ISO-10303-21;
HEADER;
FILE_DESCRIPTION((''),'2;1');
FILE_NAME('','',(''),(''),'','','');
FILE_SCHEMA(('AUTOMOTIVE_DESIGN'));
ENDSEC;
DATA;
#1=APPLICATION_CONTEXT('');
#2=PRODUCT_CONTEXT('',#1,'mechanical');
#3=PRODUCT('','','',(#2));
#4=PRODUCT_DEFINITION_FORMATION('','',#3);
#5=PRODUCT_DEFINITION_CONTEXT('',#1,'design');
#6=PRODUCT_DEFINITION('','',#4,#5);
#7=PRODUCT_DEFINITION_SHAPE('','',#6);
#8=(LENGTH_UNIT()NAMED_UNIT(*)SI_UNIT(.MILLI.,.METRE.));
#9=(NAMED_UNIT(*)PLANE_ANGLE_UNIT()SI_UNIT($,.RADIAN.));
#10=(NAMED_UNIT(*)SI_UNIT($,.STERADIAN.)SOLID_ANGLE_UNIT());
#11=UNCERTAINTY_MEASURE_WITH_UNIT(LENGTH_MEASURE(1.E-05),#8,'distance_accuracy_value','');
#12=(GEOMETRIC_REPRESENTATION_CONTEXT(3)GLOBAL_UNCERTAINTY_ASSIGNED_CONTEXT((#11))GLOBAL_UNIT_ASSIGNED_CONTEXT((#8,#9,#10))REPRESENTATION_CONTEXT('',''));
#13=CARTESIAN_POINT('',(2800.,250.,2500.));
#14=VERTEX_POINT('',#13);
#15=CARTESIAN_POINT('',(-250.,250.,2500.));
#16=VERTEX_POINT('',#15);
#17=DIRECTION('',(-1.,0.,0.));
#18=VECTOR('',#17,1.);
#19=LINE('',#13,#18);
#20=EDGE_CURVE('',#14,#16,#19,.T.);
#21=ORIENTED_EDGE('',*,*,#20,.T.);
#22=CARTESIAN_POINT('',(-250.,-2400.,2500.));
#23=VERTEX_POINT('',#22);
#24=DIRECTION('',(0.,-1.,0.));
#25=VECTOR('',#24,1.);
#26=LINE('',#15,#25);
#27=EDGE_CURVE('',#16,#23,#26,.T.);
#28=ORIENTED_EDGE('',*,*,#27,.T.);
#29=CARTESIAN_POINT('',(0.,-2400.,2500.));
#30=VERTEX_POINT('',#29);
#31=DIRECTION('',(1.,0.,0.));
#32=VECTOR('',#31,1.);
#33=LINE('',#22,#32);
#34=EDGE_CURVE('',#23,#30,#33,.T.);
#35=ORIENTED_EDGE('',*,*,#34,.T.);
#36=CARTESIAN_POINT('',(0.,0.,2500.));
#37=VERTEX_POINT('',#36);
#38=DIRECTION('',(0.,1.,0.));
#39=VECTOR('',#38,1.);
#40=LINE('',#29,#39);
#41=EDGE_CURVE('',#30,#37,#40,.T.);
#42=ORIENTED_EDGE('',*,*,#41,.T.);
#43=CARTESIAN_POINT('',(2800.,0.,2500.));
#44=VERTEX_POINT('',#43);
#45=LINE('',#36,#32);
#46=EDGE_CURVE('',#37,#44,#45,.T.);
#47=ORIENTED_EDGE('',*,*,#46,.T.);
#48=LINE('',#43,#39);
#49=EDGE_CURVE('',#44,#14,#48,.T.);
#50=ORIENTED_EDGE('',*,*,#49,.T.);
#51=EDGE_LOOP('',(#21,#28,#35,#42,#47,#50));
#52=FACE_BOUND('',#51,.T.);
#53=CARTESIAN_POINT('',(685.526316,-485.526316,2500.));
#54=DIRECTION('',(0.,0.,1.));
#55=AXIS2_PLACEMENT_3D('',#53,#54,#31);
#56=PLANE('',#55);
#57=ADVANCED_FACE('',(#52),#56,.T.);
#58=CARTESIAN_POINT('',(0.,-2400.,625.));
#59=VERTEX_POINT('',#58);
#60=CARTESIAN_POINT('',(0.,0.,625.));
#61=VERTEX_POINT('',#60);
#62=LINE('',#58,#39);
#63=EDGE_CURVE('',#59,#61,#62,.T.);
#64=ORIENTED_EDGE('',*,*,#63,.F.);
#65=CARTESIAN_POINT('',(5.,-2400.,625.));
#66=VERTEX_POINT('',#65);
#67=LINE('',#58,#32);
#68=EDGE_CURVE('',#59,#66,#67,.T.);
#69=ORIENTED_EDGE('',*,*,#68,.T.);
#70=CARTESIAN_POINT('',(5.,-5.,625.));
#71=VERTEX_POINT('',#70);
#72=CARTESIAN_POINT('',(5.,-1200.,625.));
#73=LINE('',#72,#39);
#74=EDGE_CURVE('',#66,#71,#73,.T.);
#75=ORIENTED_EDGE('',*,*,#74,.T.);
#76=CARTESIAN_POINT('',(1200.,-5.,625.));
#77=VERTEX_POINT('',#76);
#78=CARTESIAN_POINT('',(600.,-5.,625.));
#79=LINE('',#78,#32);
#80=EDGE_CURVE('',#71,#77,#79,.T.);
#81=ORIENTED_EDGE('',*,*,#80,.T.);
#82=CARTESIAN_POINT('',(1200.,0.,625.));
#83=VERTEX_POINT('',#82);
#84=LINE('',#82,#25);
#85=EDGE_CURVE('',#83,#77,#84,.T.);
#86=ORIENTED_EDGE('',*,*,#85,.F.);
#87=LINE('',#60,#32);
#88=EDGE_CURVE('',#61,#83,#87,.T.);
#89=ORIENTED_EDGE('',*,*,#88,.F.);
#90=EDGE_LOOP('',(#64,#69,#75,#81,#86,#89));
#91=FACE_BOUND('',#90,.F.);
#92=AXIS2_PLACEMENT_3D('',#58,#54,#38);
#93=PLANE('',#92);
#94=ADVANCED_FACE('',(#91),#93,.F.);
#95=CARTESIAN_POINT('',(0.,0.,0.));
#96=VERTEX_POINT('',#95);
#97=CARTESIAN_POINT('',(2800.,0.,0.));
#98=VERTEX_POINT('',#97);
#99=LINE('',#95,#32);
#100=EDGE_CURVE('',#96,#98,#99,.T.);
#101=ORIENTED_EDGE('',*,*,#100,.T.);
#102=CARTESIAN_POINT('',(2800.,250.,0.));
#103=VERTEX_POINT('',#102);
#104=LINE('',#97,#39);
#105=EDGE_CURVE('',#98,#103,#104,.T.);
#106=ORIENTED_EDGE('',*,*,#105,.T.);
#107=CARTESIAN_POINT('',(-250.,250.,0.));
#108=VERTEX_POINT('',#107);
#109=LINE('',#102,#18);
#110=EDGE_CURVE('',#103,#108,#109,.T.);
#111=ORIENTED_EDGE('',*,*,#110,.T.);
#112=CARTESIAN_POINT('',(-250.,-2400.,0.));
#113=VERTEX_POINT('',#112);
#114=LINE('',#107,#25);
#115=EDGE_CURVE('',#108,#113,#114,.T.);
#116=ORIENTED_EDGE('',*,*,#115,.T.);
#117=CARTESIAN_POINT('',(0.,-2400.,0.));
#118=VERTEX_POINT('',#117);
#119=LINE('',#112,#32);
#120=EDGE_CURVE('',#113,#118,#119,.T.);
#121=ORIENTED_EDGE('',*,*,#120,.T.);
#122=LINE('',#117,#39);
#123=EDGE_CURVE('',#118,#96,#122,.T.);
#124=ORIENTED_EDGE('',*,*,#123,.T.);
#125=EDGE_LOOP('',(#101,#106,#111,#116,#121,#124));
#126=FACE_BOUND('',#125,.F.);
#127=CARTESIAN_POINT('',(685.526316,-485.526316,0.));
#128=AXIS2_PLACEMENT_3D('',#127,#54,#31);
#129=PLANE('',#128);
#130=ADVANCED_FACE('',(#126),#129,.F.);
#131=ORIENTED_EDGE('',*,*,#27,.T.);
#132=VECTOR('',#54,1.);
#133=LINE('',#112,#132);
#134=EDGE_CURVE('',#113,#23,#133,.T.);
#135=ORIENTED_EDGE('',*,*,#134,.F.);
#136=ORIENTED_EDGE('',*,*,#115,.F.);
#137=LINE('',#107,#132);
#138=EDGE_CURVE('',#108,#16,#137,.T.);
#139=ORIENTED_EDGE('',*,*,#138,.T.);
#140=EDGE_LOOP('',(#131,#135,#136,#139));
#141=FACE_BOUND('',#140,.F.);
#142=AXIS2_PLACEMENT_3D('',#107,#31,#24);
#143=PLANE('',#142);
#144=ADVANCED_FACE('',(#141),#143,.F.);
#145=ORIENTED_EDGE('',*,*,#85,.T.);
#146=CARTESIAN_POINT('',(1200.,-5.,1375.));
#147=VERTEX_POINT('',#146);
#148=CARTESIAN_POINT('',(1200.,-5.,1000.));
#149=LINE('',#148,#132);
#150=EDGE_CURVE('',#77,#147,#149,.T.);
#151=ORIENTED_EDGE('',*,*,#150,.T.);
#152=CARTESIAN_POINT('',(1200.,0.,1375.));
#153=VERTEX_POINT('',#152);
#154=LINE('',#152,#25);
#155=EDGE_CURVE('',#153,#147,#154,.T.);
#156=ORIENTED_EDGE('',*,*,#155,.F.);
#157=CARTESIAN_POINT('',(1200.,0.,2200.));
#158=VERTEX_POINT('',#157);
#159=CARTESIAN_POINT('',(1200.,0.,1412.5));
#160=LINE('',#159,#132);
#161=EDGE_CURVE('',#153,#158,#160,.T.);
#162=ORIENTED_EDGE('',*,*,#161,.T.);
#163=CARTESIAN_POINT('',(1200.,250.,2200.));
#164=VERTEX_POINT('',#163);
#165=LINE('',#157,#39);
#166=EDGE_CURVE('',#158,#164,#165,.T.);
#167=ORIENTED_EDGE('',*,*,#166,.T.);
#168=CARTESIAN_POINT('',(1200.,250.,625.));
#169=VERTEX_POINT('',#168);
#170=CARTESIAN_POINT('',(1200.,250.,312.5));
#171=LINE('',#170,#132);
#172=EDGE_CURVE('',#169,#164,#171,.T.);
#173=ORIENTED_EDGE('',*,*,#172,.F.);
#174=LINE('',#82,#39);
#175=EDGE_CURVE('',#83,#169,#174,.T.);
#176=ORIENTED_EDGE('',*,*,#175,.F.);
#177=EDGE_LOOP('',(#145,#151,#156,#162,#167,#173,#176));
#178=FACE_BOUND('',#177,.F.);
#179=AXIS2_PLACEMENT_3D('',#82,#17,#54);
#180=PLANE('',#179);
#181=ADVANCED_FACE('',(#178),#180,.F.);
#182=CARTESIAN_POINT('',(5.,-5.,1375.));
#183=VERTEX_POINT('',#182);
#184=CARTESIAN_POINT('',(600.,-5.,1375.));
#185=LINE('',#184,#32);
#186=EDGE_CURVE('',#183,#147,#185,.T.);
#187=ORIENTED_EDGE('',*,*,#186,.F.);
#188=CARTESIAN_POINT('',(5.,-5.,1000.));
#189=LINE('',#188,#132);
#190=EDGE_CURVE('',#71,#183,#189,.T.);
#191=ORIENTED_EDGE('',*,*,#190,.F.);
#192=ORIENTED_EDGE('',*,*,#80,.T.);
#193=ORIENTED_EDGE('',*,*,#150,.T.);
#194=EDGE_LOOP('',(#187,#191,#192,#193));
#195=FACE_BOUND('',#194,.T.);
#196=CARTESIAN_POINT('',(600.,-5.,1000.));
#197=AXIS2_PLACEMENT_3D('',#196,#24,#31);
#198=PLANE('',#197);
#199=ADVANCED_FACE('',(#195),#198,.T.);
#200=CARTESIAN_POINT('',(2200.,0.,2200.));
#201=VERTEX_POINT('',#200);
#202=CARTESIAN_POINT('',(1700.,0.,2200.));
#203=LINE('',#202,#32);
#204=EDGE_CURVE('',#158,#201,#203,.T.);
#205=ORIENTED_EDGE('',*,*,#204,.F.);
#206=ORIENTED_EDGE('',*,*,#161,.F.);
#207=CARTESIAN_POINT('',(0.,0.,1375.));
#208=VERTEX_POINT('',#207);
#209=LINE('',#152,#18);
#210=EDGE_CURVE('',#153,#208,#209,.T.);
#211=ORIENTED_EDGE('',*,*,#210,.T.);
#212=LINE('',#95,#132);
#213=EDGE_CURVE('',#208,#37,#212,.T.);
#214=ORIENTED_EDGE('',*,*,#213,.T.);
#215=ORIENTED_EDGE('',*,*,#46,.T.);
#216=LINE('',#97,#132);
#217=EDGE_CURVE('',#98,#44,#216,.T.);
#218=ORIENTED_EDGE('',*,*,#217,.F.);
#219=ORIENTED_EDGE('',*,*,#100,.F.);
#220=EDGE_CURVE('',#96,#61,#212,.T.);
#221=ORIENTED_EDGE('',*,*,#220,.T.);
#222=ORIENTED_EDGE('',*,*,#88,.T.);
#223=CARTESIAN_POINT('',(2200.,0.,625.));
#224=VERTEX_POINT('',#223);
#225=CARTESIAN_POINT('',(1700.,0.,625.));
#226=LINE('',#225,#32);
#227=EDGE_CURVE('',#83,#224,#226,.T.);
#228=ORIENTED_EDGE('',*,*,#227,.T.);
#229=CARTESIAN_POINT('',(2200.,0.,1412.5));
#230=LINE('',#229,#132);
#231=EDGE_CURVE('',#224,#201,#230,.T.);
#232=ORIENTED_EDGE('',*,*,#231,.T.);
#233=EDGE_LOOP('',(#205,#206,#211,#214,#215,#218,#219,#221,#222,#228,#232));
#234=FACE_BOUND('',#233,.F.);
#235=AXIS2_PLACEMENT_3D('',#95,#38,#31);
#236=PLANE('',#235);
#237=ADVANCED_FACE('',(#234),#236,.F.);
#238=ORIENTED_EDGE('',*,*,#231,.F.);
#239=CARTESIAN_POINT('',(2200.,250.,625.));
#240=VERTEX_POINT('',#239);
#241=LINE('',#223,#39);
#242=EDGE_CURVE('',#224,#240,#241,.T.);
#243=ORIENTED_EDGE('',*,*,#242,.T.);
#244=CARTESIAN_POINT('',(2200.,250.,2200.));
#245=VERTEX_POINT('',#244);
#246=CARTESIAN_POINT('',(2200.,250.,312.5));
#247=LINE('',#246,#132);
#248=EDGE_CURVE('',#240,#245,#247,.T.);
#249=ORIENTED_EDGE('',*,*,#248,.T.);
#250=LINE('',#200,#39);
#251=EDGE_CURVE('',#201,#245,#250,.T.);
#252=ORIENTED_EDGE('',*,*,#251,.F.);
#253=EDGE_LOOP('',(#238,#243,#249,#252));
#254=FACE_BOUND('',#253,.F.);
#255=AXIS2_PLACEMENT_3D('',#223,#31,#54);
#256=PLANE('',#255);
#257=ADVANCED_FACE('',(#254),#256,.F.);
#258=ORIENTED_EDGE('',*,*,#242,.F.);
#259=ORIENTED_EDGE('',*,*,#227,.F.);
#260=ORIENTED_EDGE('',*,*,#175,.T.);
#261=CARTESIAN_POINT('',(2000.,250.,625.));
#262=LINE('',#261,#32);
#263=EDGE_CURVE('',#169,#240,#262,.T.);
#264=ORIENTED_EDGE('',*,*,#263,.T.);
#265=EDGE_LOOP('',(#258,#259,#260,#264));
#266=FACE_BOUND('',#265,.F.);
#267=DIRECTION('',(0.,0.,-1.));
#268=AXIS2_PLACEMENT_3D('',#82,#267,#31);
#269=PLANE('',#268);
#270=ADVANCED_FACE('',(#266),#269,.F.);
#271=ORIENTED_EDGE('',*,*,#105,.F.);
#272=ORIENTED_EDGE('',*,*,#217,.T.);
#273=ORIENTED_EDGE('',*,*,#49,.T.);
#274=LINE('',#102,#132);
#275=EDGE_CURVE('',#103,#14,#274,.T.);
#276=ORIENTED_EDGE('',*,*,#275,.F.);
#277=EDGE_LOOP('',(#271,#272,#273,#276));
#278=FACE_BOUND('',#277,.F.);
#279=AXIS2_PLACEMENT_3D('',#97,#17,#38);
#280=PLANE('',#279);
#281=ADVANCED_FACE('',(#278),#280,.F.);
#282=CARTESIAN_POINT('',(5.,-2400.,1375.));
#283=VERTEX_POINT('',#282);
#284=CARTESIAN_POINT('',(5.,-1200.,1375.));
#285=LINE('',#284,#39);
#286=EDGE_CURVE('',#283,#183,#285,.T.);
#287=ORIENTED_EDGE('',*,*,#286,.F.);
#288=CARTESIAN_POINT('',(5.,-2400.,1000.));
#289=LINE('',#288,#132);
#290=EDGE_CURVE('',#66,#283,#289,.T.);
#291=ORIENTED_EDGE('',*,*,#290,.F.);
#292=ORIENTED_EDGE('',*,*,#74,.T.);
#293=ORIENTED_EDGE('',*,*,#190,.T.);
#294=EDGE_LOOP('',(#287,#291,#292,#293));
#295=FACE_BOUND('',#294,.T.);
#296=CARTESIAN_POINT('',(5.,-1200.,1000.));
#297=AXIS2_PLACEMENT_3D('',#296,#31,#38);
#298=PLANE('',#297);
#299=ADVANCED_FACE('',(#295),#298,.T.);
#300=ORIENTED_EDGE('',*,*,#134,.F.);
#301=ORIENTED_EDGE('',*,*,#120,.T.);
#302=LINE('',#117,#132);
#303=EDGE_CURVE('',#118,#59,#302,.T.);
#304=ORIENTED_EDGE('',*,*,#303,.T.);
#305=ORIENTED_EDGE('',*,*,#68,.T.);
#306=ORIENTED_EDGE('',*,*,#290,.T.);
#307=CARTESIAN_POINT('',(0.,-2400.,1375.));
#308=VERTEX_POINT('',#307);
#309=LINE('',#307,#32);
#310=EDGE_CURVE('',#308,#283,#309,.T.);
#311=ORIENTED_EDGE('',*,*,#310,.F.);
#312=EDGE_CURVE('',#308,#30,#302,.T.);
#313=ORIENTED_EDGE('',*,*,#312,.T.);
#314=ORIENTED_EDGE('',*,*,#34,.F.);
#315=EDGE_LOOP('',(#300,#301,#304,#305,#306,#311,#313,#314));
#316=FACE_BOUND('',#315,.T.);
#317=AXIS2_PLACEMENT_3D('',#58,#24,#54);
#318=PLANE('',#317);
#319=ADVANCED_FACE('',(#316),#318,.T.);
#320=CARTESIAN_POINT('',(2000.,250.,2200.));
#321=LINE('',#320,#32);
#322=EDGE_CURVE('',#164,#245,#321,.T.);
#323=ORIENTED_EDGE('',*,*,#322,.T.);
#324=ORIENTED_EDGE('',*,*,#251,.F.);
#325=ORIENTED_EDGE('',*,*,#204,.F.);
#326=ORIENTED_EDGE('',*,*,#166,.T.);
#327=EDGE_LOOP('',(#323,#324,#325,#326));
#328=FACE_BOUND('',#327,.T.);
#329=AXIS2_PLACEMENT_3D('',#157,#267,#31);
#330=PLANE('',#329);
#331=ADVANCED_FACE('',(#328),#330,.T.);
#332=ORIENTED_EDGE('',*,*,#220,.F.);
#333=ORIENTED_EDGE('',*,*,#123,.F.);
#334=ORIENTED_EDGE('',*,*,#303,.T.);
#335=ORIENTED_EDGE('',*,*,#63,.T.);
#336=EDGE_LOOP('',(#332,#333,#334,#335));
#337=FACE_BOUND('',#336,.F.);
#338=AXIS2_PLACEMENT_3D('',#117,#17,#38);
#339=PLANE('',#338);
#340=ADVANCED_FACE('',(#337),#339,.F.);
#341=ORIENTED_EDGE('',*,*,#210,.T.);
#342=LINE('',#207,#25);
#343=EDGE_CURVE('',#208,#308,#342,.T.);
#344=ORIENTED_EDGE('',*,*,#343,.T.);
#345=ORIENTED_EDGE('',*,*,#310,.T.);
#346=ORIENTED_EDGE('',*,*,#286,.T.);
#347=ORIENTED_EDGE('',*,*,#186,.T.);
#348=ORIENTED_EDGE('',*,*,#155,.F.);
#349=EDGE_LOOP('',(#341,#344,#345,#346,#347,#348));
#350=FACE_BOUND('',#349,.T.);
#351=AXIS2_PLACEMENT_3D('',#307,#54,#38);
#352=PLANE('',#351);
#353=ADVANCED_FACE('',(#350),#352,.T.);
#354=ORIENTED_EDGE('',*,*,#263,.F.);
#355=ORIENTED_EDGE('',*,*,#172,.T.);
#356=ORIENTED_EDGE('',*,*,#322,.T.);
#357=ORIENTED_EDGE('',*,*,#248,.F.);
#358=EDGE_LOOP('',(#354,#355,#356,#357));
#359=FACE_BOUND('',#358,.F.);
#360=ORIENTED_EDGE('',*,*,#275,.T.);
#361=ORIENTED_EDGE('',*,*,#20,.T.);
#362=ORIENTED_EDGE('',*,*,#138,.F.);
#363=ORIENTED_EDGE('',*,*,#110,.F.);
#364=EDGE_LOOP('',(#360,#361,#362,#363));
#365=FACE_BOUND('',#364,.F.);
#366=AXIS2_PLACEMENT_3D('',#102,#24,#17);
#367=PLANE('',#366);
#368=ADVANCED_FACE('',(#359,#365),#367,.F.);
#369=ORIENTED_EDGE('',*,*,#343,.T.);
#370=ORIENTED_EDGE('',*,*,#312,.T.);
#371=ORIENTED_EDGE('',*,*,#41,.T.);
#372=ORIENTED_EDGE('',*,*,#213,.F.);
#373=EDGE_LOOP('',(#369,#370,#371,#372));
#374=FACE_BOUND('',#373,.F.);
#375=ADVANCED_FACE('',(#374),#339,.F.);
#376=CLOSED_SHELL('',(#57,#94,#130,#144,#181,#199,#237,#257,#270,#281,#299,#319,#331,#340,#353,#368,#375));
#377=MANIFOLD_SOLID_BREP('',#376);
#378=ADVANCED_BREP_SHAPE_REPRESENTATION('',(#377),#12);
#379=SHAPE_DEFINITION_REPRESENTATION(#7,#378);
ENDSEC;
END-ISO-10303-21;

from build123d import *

# Parameters (mm, degrees)
F1_DEPTH = 2500
F2_W     = 1000
F2_H     = 1575
F3_DEPTH = 250.001
F4_W     = 1200
F4_H     = 750
F5_DEPTH = 5
F7_W     = 2400
F7_H     = 750
F8_DEPTH = 5


with BuildPart() as f1:
    # F0 (on Top) → F1 (new body)
    with BuildSketch(Plane.XY):
        Polygon((0, -2400), (0, 0), (2800, 0), (2800, 250), (-250, 250), (-250, -2400), align=None)
    extrude(amount=F1_DEPTH)

    # F2 (on face) → F3 (cut, through all)
    with BuildSketch(Plane.XZ):
        with Locations((1700, 1412.5)):
            Rectangle(F2_W, F2_H)
    extrude(amount=-F3_DEPTH, mode=Mode.SUBTRACT)

    # F4 (on face) → F5 (join)
    with BuildSketch(Plane.XZ):
        with Locations((600, 1000)):
            Rectangle(F4_W, F4_H)
    extrude(amount=F5_DEPTH)

    # F7 (on face) → F8 (join)
    with BuildSketch(Plane.YZ):
        with Locations((-1200, 1000)):
            Rectangle(F7_W, F7_H)
    extrude(amount=F8_DEPTH)


solid = f1.part
